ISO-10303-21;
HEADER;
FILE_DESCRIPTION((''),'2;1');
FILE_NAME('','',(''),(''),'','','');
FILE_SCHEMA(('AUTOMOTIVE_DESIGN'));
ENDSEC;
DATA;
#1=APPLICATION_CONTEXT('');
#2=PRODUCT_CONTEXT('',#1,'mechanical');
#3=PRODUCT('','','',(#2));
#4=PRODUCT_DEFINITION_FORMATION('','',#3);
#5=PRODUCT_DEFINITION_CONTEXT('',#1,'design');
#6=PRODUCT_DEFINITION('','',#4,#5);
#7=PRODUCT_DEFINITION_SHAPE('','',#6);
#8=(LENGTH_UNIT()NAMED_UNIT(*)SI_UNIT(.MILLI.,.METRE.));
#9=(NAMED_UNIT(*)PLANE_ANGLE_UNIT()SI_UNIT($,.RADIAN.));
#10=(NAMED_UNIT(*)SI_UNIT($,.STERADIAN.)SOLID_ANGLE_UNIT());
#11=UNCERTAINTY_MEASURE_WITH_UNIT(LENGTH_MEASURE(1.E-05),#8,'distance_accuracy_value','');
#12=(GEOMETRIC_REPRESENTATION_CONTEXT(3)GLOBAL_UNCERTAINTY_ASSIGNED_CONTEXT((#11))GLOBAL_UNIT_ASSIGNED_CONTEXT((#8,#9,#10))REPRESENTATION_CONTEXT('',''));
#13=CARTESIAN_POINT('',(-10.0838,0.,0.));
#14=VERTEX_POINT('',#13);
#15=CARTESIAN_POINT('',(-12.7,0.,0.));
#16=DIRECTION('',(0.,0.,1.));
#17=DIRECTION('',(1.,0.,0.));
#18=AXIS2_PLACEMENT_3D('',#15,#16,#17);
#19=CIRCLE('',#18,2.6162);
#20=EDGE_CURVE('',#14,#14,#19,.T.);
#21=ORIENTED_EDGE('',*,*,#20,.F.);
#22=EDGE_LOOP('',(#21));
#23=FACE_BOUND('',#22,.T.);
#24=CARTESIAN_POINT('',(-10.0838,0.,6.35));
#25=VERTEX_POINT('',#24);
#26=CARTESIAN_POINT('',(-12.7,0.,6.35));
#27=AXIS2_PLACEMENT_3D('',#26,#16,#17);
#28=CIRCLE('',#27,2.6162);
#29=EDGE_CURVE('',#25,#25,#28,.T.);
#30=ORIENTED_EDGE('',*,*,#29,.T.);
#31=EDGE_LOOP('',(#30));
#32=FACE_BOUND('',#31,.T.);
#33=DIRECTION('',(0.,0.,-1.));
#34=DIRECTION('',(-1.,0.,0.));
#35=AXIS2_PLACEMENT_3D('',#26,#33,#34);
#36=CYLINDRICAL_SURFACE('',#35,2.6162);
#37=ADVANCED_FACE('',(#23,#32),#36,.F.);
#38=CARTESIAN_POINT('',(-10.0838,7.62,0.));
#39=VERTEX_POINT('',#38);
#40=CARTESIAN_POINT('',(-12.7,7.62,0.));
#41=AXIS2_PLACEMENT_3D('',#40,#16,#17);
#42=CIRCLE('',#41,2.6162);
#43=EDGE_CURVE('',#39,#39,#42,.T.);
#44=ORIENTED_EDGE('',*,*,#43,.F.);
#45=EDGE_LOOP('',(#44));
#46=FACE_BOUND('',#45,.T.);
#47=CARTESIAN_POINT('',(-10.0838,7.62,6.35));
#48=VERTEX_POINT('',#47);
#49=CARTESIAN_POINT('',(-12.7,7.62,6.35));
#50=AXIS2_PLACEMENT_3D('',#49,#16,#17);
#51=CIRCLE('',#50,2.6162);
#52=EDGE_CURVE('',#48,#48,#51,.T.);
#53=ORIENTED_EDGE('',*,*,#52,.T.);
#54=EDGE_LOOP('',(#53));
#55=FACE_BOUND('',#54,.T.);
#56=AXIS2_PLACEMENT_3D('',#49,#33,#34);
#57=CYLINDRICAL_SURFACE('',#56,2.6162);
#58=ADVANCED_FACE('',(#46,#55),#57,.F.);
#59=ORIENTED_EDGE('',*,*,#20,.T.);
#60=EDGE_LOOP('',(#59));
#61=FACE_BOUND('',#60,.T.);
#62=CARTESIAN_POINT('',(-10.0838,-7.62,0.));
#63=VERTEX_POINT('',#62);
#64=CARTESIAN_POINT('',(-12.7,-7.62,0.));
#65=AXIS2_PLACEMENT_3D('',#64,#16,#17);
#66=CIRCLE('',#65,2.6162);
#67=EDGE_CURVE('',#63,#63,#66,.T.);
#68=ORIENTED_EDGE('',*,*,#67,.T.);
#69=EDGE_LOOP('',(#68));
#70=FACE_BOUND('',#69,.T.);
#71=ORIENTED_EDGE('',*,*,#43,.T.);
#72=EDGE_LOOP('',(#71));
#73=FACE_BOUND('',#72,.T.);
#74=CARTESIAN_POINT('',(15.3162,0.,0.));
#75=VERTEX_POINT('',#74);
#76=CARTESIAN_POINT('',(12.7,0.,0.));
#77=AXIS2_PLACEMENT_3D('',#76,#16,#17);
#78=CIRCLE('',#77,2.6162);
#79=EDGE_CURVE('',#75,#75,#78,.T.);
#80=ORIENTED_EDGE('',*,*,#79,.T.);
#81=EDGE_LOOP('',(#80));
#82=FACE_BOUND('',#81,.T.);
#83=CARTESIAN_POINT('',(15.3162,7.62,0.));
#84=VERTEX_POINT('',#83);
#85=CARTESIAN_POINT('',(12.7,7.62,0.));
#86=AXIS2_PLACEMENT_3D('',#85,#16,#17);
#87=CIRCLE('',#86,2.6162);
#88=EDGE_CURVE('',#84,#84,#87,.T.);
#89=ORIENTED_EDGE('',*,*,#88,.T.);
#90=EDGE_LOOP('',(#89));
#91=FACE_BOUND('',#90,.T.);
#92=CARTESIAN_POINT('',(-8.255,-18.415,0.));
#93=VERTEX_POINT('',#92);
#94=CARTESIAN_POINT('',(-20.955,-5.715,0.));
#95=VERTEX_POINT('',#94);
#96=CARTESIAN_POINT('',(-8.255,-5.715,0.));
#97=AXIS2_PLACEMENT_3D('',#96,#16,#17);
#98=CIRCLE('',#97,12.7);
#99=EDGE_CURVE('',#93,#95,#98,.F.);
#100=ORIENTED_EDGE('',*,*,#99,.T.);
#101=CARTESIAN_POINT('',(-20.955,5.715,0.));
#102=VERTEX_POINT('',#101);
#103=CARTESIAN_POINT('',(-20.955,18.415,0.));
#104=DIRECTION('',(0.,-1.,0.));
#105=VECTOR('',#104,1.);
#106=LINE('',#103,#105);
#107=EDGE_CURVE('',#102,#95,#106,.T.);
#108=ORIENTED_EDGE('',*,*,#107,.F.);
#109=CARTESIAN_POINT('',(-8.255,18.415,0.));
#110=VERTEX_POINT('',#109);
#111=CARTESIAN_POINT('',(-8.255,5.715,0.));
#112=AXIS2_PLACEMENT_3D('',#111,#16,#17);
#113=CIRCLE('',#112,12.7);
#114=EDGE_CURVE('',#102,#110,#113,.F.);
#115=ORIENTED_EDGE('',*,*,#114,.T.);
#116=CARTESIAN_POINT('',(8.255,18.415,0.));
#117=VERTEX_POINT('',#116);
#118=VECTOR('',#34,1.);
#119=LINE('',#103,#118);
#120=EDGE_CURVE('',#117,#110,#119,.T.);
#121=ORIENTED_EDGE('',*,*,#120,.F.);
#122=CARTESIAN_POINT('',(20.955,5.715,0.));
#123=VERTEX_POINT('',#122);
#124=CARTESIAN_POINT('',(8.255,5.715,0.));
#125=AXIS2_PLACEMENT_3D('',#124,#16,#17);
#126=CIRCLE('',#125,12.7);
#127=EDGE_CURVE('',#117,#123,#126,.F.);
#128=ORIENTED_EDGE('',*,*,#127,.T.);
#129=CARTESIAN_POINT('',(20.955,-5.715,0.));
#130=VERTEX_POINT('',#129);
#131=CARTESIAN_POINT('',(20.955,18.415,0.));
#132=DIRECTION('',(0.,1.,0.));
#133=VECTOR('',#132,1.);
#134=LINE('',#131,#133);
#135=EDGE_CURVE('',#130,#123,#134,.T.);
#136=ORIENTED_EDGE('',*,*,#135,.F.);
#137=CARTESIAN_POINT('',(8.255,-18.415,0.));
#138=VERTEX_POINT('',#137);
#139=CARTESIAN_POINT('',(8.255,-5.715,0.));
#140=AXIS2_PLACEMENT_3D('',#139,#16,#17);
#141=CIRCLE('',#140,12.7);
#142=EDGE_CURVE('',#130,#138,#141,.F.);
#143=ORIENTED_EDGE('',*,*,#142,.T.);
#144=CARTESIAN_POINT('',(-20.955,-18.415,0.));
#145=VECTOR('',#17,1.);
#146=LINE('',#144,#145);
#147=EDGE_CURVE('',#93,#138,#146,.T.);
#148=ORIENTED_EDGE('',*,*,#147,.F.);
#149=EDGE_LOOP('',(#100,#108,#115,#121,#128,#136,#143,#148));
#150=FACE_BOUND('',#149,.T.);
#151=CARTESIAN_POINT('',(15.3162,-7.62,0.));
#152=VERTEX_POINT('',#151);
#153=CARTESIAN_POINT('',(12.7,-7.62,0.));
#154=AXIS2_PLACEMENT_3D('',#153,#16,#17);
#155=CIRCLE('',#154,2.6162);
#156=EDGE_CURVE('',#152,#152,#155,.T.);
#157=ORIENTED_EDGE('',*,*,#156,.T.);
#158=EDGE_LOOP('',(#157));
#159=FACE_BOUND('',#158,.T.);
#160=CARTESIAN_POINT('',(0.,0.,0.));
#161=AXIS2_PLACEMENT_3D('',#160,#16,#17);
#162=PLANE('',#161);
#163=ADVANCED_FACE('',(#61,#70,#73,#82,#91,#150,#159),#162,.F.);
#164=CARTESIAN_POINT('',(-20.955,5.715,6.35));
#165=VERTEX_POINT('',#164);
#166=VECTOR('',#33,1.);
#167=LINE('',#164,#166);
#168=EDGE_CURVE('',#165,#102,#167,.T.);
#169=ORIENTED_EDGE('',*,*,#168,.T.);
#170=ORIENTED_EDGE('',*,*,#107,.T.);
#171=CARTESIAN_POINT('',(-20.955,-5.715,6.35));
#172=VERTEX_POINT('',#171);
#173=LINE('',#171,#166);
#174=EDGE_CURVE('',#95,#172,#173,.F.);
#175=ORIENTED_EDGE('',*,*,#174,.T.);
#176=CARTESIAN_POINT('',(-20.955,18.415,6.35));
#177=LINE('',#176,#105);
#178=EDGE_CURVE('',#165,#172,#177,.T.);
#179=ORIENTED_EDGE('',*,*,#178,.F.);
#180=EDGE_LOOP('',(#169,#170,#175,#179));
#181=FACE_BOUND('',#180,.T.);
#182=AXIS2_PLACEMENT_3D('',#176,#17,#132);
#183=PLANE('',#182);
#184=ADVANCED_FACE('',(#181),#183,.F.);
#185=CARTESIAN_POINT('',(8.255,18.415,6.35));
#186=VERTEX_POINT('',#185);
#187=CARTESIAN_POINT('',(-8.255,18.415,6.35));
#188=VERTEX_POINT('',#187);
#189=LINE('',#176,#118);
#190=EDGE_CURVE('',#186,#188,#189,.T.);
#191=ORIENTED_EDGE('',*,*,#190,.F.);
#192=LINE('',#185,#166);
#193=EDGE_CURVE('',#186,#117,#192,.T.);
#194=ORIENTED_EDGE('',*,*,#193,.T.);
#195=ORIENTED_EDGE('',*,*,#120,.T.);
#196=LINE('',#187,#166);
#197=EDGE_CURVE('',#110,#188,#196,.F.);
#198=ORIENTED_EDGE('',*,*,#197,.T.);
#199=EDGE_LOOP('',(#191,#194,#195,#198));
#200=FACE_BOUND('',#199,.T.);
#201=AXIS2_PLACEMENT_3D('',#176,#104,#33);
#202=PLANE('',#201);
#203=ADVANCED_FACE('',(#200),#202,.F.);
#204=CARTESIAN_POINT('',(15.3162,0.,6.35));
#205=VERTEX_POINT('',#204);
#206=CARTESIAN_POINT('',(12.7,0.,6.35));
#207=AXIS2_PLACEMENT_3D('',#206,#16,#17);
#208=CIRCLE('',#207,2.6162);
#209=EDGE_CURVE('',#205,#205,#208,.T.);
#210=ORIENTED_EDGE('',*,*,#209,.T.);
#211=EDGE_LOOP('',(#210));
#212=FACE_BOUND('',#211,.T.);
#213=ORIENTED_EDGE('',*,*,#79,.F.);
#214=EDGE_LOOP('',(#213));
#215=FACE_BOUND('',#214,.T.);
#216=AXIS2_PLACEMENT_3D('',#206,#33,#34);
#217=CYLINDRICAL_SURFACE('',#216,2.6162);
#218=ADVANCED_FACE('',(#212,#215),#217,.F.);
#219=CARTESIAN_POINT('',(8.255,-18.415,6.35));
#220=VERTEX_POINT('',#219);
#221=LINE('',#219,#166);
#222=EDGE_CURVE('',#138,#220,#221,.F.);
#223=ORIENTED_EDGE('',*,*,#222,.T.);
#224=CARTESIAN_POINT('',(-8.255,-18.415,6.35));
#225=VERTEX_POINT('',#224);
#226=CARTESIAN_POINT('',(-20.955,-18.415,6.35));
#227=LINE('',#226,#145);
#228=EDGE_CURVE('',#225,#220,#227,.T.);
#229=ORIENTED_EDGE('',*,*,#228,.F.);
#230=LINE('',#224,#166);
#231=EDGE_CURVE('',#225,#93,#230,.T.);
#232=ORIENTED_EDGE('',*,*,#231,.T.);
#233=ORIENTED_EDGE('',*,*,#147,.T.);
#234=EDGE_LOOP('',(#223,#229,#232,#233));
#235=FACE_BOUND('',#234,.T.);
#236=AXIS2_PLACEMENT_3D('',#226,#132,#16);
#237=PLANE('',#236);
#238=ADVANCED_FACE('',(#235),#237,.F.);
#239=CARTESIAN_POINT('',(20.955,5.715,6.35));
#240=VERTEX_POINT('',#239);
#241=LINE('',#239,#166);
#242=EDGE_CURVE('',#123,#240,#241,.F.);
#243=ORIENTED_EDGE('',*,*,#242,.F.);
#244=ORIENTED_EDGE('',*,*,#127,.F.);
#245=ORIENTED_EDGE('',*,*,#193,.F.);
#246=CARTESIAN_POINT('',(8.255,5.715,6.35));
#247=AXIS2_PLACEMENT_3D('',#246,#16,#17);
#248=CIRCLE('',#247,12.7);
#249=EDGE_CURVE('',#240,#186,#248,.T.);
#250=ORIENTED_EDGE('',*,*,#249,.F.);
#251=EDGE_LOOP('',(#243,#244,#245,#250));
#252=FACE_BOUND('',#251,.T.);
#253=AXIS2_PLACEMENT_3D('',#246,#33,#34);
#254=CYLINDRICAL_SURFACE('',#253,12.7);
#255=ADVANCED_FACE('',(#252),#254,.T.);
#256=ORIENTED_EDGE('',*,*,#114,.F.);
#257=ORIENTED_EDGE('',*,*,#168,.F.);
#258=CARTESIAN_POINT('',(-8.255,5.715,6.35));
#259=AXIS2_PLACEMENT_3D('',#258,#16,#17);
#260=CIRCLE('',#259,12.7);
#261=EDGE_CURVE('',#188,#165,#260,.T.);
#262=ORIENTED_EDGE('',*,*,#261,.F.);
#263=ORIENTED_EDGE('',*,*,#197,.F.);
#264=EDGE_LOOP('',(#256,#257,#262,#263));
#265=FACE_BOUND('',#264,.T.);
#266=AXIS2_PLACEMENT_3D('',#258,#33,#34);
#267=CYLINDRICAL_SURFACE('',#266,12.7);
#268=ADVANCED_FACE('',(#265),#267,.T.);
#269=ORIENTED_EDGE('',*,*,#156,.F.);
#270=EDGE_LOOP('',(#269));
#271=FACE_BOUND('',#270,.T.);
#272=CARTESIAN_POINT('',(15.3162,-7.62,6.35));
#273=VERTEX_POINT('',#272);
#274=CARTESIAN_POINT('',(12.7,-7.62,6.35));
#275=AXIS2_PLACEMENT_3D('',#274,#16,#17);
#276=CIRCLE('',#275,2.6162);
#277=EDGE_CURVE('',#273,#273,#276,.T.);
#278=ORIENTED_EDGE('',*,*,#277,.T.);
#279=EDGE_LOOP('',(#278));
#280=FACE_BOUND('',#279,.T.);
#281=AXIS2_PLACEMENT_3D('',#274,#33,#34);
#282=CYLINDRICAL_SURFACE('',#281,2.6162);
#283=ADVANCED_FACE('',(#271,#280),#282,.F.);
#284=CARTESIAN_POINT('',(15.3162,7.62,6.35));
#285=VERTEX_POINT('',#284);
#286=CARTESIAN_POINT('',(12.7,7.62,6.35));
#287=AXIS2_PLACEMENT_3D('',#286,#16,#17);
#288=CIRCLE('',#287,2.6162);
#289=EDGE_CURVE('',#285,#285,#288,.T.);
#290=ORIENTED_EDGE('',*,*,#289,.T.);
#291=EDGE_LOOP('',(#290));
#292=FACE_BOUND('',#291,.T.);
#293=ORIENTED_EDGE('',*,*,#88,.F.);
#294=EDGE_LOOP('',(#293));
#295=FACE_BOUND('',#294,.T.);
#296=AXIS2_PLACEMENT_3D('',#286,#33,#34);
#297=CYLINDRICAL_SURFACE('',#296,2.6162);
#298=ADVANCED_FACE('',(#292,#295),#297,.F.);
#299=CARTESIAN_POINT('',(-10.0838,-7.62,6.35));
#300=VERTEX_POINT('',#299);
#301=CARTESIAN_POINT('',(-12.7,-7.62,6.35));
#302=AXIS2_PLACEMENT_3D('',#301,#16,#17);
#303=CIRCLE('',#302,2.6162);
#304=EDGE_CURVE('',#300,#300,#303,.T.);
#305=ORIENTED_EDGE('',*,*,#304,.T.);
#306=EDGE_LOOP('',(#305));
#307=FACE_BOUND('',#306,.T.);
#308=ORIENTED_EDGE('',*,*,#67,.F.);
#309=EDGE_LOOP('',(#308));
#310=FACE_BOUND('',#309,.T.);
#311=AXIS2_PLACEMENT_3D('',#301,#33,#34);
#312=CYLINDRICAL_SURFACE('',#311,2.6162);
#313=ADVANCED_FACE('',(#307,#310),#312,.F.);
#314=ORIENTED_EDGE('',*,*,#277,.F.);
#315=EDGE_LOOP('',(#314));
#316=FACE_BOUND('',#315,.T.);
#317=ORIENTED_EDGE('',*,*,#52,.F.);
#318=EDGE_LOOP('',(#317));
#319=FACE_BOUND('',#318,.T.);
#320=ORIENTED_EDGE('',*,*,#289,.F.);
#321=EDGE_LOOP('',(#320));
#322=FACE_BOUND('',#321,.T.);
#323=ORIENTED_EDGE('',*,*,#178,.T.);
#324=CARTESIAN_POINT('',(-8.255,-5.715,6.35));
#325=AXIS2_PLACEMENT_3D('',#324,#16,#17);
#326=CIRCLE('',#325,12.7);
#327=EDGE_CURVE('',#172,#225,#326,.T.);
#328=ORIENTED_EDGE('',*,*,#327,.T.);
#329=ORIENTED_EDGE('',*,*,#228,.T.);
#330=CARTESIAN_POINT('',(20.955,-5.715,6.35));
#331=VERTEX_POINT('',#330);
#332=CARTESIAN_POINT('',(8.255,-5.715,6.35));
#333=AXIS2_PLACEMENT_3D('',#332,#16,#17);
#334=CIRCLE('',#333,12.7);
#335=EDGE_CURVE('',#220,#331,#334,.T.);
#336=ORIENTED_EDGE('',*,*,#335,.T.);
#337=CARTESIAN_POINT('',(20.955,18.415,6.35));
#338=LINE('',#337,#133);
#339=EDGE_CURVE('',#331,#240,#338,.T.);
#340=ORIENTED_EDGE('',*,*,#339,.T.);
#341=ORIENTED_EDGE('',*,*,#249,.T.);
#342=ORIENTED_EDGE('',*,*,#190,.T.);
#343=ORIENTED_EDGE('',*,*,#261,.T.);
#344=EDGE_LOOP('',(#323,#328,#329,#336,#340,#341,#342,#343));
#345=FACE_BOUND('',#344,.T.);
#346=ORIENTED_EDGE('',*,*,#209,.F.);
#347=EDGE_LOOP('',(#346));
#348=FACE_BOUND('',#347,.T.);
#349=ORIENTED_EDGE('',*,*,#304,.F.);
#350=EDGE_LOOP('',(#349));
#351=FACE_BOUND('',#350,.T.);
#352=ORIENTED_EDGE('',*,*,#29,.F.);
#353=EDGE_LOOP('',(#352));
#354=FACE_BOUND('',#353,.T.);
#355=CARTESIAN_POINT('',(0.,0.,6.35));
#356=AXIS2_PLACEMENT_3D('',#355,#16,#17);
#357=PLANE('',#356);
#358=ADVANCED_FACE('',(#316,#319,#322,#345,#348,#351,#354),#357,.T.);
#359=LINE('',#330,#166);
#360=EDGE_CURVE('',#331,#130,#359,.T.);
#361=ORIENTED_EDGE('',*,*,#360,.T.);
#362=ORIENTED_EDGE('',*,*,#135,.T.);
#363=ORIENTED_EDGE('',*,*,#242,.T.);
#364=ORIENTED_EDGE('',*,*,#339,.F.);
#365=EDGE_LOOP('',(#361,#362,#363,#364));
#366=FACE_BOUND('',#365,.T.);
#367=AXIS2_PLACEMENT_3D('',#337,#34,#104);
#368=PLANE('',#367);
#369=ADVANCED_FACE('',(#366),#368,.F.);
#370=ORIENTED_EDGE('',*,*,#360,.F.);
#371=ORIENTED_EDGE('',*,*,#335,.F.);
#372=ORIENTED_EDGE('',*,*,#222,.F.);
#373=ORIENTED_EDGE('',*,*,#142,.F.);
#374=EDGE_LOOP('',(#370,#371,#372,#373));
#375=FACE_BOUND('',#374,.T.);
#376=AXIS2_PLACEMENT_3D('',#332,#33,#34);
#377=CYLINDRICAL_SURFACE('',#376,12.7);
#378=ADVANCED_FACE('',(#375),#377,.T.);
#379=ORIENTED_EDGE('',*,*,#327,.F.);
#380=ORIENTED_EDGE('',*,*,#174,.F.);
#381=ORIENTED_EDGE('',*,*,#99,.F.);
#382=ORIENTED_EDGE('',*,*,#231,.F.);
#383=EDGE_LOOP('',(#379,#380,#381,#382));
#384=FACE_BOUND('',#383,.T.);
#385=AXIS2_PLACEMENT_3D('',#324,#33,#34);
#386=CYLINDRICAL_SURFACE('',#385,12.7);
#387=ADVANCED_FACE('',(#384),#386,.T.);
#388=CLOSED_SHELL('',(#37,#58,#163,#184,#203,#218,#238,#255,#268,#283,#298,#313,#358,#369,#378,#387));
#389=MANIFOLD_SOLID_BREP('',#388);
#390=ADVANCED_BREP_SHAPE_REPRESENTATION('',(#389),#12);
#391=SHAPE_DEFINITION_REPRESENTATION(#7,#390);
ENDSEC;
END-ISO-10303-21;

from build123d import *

# Parameters (mm, degrees)
SKETCH2_W           = 41.91
SKETCH2_H           = 36.83
SKETCH2_R           = 2.6162
BOSS_EXTRUDE1_DEPTH = 6.35
FILLET1_R           = 12.7


with BuildPart() as part:
    # Sketch2 → Boss-Extrude1 (new body)
    with BuildSketch(Plane.XY):
        Rectangle(SKETCH2_W, SKETCH2_H)
        with Locations((-12.7, 0)):
            Circle(SKETCH2_R, mode=Mode.SUBTRACT)
        with Locations((12.7, 0)):
            Circle(SKETCH2_R, mode=Mode.SUBTRACT)
        with Locations((-12.7, 7.62)):
            Circle(SKETCH2_R, mode=Mode.SUBTRACT)
        with Locations((12.7, 7.62)):
            Circle(SKETCH2_R, mode=Mode.SUBTRACT)
        with Locations((-12.7, -7.62)):
            Circle(SKETCH2_R, mode=Mode.SUBTRACT)
        with Locations((12.7, -7.62)):
            Circle(SKETCH2_R, mode=Mode.SUBTRACT)
    extrude(amount=BOSS_EXTRUDE1_DEPTH)

    # Fillet1
    fillet1_edges = [part.edges().sort_by_distance(p)[0] for p in [
        (20.955, -18.415, 3.175),
        (-20.955, -18.415, 3.175),
        (-20.955, 18.415, 3.175),
        (20.955, 18.415, 3.175),
    ]]
    fillet(fillet1_edges, radius=FILLET1_R)


solid = part.part
